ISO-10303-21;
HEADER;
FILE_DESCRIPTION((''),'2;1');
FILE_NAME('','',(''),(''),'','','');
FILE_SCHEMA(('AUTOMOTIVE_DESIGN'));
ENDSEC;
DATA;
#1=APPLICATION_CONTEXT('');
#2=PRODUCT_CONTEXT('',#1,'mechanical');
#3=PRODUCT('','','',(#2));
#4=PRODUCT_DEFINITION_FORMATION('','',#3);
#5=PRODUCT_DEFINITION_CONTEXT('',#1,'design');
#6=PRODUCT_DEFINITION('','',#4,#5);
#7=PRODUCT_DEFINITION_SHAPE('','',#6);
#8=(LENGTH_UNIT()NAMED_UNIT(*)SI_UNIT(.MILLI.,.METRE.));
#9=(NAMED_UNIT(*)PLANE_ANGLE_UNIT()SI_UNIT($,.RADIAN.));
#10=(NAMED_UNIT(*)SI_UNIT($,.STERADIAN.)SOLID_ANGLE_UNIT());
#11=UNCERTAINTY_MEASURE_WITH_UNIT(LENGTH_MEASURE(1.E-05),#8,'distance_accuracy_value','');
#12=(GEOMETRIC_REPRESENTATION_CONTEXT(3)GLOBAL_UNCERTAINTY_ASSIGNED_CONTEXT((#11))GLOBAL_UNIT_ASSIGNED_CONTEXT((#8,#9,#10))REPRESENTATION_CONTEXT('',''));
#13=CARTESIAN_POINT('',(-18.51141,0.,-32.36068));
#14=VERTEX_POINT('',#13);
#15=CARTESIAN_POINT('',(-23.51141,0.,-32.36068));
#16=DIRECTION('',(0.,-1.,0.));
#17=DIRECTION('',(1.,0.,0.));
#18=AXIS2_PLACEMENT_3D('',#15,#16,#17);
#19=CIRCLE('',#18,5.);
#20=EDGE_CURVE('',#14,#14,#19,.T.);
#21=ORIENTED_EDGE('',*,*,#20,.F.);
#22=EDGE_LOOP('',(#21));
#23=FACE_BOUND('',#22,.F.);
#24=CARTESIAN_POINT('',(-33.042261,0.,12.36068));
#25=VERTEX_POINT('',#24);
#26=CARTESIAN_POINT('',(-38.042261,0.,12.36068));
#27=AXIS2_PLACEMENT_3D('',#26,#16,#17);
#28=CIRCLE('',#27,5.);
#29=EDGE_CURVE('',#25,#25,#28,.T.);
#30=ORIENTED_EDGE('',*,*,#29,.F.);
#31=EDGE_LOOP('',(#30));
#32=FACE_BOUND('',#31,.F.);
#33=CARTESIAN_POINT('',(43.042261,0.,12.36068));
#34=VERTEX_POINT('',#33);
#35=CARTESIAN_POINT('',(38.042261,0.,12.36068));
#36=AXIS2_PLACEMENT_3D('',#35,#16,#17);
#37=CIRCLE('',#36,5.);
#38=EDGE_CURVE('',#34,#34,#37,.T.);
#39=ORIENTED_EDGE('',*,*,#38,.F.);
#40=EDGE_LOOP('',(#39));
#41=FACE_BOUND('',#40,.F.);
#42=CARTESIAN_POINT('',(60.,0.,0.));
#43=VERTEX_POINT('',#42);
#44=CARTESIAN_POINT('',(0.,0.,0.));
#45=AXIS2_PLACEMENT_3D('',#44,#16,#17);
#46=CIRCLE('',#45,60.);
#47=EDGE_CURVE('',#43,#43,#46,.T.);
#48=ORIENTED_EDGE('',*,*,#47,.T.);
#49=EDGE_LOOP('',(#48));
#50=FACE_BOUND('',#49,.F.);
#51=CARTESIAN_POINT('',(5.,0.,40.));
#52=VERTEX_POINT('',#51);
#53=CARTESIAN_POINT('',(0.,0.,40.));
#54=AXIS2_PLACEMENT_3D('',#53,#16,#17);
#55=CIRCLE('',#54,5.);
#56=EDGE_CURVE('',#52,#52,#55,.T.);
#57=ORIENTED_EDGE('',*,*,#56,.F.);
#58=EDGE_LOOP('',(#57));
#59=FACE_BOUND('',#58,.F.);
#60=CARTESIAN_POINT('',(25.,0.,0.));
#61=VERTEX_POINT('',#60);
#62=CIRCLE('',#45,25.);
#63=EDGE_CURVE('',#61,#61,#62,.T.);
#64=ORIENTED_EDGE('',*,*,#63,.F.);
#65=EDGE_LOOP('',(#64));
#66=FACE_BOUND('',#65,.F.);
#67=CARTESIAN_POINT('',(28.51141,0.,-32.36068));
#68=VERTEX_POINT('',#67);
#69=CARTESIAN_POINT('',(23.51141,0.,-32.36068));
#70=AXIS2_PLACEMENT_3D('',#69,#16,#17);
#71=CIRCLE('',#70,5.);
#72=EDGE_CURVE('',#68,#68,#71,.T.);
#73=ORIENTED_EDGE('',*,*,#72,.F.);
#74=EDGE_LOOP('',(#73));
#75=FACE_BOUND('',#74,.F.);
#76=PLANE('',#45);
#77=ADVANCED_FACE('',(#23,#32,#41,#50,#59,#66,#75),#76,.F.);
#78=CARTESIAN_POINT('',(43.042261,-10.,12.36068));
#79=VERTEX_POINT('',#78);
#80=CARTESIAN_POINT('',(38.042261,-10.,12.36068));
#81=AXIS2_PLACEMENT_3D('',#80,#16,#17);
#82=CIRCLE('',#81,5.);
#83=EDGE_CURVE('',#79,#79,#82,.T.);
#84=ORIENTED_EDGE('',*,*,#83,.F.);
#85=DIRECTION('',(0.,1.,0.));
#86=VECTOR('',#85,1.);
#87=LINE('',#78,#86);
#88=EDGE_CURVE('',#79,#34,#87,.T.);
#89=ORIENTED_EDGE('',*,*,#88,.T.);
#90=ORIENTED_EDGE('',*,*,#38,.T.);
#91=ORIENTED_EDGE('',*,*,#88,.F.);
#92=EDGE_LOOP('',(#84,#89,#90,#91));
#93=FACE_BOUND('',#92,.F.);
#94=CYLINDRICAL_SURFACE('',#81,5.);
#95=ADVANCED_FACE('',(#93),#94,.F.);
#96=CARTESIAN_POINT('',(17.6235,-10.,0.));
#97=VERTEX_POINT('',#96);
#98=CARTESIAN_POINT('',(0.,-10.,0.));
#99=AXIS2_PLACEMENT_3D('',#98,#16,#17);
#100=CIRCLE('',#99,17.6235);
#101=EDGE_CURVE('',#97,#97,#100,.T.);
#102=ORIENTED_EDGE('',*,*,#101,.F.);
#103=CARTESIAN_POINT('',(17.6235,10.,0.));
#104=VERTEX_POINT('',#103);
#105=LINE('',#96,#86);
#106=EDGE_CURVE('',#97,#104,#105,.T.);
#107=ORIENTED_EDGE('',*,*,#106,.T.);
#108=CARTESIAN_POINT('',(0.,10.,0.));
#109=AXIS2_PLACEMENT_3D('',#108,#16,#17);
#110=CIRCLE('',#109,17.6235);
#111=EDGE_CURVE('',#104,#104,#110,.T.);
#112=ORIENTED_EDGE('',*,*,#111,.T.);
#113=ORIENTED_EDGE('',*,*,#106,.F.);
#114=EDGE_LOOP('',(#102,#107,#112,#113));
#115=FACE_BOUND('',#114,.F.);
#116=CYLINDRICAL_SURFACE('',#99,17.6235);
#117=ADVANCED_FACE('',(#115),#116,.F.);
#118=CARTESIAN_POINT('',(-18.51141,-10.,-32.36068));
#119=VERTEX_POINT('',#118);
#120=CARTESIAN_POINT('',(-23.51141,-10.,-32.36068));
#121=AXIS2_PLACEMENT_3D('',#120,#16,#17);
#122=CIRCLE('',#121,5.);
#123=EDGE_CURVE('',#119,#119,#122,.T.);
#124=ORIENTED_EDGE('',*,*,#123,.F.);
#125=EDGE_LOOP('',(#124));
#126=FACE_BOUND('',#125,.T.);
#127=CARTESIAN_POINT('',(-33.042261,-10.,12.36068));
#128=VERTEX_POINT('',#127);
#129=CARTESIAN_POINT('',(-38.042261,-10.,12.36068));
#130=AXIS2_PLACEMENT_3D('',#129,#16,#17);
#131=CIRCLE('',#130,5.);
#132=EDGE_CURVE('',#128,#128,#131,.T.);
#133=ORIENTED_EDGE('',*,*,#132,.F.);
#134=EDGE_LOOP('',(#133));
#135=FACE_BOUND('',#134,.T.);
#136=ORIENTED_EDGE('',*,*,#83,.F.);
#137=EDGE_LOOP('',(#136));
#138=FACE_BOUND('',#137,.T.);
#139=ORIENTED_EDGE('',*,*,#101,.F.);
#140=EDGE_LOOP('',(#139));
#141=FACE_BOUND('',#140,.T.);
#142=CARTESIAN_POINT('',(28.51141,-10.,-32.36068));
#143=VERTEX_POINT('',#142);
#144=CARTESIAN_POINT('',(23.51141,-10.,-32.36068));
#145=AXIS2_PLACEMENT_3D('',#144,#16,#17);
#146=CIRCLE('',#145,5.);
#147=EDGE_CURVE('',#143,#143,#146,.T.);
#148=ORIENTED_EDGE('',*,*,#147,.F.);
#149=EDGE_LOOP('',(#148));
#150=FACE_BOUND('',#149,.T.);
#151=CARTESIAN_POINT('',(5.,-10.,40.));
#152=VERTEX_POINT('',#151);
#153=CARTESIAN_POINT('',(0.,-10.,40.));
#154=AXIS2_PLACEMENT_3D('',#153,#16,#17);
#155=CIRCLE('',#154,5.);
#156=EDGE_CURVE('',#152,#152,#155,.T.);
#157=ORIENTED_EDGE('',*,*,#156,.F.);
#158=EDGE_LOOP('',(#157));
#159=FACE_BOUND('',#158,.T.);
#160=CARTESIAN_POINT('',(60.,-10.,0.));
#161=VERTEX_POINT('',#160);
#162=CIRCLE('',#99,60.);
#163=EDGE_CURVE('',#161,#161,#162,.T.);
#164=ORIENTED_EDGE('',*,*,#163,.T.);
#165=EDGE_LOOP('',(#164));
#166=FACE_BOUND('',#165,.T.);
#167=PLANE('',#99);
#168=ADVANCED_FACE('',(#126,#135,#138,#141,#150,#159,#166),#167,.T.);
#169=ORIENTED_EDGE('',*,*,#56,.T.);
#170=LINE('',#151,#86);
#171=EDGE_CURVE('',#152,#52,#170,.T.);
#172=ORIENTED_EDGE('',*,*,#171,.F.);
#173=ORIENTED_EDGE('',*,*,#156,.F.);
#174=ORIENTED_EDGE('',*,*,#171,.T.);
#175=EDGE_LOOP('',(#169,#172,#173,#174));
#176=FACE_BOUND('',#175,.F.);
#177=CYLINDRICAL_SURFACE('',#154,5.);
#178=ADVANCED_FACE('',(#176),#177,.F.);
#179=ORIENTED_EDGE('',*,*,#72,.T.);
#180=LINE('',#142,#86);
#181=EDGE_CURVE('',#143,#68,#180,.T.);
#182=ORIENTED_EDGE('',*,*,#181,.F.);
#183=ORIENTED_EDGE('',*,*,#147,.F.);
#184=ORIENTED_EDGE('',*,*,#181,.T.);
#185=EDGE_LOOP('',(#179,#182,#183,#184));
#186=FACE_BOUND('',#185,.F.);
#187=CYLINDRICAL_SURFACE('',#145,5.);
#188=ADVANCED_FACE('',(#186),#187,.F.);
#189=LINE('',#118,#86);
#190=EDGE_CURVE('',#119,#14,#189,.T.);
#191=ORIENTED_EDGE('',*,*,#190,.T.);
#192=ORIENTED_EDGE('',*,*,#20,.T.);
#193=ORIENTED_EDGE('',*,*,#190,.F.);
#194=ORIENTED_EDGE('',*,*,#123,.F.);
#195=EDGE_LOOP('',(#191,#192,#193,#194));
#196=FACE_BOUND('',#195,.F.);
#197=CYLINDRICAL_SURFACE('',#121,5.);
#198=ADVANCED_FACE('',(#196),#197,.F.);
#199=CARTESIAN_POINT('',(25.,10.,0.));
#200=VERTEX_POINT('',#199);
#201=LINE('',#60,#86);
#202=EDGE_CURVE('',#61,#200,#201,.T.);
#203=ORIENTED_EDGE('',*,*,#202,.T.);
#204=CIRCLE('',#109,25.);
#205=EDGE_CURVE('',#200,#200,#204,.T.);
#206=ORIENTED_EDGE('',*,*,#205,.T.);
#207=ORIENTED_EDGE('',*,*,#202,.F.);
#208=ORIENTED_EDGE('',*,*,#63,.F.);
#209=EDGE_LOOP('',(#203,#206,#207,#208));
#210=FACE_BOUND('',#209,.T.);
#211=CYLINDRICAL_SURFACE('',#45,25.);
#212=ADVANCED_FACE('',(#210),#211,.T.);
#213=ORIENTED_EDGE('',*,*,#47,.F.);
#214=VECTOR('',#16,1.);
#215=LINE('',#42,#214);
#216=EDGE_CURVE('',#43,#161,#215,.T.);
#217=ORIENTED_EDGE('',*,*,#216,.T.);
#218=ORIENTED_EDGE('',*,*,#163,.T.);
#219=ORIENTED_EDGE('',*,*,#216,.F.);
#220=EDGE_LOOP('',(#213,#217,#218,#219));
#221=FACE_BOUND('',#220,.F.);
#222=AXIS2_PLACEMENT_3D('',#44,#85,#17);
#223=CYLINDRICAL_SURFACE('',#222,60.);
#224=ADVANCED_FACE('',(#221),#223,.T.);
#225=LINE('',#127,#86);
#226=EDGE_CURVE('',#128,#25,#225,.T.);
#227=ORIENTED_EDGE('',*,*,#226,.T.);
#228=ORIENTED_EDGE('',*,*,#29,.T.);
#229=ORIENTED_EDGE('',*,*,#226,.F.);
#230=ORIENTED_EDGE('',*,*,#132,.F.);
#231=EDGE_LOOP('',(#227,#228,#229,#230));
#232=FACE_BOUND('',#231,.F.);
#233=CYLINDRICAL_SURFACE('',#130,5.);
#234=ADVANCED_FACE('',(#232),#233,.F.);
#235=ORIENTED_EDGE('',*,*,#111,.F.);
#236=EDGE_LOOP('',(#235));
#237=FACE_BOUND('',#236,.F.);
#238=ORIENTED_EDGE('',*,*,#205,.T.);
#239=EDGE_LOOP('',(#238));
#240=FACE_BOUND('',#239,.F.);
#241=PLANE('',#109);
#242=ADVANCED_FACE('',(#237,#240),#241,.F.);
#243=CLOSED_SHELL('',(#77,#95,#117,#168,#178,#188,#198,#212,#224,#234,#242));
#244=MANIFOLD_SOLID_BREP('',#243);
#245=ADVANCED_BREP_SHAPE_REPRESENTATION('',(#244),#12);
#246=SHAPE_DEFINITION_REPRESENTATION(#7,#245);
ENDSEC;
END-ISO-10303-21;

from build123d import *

# Parameters (mm, degrees)
F0_R     = 25
F1_DEPTH = 10
F2_R     = 60
F3_DEPTH = 10
F4_R     = 5
F5_DEPTH = 20.001
F6_R     = 17.6235
F7_DEPTH = 50


with BuildPart() as f1:
    # F0 (on Front) → F1 (new body)
    with BuildSketch(Plane.XZ):
        Circle(F0_R)
    extrude(amount=-F1_DEPTH)

    # F2 (on Front) → F3 (join)
    with BuildSketch(Plane.XZ):
        Circle(F2_R)
    extrude(amount=F3_DEPTH)

    # F4 (on face) → F5 (cut, through all)
    with BuildSketch(Plane.XZ.offset(10)):
        with Locations((0, 40)):
            Circle(F4_R)
        with Locations((-38.042261, 12.36068)):
            Circle(F4_R)
        with Locations((-23.51141, -32.36068)):
            Circle(F4_R)
        with Locations((23.51141, -32.36068)):
            Circle(F4_R)
        with Locations((38.042261, 12.36068)):
            Circle(F4_R)
    extrude(amount=-F5_DEPTH, mode=Mode.SUBTRACT)

    # F6 (on face) → F7 (cut)
    with BuildSketch(Plane.XZ.offset(10)):
        Circle(F6_R)
    extrude(amount=-F7_DEPTH, mode=Mode.SUBTRACT)


solid = f1.part
